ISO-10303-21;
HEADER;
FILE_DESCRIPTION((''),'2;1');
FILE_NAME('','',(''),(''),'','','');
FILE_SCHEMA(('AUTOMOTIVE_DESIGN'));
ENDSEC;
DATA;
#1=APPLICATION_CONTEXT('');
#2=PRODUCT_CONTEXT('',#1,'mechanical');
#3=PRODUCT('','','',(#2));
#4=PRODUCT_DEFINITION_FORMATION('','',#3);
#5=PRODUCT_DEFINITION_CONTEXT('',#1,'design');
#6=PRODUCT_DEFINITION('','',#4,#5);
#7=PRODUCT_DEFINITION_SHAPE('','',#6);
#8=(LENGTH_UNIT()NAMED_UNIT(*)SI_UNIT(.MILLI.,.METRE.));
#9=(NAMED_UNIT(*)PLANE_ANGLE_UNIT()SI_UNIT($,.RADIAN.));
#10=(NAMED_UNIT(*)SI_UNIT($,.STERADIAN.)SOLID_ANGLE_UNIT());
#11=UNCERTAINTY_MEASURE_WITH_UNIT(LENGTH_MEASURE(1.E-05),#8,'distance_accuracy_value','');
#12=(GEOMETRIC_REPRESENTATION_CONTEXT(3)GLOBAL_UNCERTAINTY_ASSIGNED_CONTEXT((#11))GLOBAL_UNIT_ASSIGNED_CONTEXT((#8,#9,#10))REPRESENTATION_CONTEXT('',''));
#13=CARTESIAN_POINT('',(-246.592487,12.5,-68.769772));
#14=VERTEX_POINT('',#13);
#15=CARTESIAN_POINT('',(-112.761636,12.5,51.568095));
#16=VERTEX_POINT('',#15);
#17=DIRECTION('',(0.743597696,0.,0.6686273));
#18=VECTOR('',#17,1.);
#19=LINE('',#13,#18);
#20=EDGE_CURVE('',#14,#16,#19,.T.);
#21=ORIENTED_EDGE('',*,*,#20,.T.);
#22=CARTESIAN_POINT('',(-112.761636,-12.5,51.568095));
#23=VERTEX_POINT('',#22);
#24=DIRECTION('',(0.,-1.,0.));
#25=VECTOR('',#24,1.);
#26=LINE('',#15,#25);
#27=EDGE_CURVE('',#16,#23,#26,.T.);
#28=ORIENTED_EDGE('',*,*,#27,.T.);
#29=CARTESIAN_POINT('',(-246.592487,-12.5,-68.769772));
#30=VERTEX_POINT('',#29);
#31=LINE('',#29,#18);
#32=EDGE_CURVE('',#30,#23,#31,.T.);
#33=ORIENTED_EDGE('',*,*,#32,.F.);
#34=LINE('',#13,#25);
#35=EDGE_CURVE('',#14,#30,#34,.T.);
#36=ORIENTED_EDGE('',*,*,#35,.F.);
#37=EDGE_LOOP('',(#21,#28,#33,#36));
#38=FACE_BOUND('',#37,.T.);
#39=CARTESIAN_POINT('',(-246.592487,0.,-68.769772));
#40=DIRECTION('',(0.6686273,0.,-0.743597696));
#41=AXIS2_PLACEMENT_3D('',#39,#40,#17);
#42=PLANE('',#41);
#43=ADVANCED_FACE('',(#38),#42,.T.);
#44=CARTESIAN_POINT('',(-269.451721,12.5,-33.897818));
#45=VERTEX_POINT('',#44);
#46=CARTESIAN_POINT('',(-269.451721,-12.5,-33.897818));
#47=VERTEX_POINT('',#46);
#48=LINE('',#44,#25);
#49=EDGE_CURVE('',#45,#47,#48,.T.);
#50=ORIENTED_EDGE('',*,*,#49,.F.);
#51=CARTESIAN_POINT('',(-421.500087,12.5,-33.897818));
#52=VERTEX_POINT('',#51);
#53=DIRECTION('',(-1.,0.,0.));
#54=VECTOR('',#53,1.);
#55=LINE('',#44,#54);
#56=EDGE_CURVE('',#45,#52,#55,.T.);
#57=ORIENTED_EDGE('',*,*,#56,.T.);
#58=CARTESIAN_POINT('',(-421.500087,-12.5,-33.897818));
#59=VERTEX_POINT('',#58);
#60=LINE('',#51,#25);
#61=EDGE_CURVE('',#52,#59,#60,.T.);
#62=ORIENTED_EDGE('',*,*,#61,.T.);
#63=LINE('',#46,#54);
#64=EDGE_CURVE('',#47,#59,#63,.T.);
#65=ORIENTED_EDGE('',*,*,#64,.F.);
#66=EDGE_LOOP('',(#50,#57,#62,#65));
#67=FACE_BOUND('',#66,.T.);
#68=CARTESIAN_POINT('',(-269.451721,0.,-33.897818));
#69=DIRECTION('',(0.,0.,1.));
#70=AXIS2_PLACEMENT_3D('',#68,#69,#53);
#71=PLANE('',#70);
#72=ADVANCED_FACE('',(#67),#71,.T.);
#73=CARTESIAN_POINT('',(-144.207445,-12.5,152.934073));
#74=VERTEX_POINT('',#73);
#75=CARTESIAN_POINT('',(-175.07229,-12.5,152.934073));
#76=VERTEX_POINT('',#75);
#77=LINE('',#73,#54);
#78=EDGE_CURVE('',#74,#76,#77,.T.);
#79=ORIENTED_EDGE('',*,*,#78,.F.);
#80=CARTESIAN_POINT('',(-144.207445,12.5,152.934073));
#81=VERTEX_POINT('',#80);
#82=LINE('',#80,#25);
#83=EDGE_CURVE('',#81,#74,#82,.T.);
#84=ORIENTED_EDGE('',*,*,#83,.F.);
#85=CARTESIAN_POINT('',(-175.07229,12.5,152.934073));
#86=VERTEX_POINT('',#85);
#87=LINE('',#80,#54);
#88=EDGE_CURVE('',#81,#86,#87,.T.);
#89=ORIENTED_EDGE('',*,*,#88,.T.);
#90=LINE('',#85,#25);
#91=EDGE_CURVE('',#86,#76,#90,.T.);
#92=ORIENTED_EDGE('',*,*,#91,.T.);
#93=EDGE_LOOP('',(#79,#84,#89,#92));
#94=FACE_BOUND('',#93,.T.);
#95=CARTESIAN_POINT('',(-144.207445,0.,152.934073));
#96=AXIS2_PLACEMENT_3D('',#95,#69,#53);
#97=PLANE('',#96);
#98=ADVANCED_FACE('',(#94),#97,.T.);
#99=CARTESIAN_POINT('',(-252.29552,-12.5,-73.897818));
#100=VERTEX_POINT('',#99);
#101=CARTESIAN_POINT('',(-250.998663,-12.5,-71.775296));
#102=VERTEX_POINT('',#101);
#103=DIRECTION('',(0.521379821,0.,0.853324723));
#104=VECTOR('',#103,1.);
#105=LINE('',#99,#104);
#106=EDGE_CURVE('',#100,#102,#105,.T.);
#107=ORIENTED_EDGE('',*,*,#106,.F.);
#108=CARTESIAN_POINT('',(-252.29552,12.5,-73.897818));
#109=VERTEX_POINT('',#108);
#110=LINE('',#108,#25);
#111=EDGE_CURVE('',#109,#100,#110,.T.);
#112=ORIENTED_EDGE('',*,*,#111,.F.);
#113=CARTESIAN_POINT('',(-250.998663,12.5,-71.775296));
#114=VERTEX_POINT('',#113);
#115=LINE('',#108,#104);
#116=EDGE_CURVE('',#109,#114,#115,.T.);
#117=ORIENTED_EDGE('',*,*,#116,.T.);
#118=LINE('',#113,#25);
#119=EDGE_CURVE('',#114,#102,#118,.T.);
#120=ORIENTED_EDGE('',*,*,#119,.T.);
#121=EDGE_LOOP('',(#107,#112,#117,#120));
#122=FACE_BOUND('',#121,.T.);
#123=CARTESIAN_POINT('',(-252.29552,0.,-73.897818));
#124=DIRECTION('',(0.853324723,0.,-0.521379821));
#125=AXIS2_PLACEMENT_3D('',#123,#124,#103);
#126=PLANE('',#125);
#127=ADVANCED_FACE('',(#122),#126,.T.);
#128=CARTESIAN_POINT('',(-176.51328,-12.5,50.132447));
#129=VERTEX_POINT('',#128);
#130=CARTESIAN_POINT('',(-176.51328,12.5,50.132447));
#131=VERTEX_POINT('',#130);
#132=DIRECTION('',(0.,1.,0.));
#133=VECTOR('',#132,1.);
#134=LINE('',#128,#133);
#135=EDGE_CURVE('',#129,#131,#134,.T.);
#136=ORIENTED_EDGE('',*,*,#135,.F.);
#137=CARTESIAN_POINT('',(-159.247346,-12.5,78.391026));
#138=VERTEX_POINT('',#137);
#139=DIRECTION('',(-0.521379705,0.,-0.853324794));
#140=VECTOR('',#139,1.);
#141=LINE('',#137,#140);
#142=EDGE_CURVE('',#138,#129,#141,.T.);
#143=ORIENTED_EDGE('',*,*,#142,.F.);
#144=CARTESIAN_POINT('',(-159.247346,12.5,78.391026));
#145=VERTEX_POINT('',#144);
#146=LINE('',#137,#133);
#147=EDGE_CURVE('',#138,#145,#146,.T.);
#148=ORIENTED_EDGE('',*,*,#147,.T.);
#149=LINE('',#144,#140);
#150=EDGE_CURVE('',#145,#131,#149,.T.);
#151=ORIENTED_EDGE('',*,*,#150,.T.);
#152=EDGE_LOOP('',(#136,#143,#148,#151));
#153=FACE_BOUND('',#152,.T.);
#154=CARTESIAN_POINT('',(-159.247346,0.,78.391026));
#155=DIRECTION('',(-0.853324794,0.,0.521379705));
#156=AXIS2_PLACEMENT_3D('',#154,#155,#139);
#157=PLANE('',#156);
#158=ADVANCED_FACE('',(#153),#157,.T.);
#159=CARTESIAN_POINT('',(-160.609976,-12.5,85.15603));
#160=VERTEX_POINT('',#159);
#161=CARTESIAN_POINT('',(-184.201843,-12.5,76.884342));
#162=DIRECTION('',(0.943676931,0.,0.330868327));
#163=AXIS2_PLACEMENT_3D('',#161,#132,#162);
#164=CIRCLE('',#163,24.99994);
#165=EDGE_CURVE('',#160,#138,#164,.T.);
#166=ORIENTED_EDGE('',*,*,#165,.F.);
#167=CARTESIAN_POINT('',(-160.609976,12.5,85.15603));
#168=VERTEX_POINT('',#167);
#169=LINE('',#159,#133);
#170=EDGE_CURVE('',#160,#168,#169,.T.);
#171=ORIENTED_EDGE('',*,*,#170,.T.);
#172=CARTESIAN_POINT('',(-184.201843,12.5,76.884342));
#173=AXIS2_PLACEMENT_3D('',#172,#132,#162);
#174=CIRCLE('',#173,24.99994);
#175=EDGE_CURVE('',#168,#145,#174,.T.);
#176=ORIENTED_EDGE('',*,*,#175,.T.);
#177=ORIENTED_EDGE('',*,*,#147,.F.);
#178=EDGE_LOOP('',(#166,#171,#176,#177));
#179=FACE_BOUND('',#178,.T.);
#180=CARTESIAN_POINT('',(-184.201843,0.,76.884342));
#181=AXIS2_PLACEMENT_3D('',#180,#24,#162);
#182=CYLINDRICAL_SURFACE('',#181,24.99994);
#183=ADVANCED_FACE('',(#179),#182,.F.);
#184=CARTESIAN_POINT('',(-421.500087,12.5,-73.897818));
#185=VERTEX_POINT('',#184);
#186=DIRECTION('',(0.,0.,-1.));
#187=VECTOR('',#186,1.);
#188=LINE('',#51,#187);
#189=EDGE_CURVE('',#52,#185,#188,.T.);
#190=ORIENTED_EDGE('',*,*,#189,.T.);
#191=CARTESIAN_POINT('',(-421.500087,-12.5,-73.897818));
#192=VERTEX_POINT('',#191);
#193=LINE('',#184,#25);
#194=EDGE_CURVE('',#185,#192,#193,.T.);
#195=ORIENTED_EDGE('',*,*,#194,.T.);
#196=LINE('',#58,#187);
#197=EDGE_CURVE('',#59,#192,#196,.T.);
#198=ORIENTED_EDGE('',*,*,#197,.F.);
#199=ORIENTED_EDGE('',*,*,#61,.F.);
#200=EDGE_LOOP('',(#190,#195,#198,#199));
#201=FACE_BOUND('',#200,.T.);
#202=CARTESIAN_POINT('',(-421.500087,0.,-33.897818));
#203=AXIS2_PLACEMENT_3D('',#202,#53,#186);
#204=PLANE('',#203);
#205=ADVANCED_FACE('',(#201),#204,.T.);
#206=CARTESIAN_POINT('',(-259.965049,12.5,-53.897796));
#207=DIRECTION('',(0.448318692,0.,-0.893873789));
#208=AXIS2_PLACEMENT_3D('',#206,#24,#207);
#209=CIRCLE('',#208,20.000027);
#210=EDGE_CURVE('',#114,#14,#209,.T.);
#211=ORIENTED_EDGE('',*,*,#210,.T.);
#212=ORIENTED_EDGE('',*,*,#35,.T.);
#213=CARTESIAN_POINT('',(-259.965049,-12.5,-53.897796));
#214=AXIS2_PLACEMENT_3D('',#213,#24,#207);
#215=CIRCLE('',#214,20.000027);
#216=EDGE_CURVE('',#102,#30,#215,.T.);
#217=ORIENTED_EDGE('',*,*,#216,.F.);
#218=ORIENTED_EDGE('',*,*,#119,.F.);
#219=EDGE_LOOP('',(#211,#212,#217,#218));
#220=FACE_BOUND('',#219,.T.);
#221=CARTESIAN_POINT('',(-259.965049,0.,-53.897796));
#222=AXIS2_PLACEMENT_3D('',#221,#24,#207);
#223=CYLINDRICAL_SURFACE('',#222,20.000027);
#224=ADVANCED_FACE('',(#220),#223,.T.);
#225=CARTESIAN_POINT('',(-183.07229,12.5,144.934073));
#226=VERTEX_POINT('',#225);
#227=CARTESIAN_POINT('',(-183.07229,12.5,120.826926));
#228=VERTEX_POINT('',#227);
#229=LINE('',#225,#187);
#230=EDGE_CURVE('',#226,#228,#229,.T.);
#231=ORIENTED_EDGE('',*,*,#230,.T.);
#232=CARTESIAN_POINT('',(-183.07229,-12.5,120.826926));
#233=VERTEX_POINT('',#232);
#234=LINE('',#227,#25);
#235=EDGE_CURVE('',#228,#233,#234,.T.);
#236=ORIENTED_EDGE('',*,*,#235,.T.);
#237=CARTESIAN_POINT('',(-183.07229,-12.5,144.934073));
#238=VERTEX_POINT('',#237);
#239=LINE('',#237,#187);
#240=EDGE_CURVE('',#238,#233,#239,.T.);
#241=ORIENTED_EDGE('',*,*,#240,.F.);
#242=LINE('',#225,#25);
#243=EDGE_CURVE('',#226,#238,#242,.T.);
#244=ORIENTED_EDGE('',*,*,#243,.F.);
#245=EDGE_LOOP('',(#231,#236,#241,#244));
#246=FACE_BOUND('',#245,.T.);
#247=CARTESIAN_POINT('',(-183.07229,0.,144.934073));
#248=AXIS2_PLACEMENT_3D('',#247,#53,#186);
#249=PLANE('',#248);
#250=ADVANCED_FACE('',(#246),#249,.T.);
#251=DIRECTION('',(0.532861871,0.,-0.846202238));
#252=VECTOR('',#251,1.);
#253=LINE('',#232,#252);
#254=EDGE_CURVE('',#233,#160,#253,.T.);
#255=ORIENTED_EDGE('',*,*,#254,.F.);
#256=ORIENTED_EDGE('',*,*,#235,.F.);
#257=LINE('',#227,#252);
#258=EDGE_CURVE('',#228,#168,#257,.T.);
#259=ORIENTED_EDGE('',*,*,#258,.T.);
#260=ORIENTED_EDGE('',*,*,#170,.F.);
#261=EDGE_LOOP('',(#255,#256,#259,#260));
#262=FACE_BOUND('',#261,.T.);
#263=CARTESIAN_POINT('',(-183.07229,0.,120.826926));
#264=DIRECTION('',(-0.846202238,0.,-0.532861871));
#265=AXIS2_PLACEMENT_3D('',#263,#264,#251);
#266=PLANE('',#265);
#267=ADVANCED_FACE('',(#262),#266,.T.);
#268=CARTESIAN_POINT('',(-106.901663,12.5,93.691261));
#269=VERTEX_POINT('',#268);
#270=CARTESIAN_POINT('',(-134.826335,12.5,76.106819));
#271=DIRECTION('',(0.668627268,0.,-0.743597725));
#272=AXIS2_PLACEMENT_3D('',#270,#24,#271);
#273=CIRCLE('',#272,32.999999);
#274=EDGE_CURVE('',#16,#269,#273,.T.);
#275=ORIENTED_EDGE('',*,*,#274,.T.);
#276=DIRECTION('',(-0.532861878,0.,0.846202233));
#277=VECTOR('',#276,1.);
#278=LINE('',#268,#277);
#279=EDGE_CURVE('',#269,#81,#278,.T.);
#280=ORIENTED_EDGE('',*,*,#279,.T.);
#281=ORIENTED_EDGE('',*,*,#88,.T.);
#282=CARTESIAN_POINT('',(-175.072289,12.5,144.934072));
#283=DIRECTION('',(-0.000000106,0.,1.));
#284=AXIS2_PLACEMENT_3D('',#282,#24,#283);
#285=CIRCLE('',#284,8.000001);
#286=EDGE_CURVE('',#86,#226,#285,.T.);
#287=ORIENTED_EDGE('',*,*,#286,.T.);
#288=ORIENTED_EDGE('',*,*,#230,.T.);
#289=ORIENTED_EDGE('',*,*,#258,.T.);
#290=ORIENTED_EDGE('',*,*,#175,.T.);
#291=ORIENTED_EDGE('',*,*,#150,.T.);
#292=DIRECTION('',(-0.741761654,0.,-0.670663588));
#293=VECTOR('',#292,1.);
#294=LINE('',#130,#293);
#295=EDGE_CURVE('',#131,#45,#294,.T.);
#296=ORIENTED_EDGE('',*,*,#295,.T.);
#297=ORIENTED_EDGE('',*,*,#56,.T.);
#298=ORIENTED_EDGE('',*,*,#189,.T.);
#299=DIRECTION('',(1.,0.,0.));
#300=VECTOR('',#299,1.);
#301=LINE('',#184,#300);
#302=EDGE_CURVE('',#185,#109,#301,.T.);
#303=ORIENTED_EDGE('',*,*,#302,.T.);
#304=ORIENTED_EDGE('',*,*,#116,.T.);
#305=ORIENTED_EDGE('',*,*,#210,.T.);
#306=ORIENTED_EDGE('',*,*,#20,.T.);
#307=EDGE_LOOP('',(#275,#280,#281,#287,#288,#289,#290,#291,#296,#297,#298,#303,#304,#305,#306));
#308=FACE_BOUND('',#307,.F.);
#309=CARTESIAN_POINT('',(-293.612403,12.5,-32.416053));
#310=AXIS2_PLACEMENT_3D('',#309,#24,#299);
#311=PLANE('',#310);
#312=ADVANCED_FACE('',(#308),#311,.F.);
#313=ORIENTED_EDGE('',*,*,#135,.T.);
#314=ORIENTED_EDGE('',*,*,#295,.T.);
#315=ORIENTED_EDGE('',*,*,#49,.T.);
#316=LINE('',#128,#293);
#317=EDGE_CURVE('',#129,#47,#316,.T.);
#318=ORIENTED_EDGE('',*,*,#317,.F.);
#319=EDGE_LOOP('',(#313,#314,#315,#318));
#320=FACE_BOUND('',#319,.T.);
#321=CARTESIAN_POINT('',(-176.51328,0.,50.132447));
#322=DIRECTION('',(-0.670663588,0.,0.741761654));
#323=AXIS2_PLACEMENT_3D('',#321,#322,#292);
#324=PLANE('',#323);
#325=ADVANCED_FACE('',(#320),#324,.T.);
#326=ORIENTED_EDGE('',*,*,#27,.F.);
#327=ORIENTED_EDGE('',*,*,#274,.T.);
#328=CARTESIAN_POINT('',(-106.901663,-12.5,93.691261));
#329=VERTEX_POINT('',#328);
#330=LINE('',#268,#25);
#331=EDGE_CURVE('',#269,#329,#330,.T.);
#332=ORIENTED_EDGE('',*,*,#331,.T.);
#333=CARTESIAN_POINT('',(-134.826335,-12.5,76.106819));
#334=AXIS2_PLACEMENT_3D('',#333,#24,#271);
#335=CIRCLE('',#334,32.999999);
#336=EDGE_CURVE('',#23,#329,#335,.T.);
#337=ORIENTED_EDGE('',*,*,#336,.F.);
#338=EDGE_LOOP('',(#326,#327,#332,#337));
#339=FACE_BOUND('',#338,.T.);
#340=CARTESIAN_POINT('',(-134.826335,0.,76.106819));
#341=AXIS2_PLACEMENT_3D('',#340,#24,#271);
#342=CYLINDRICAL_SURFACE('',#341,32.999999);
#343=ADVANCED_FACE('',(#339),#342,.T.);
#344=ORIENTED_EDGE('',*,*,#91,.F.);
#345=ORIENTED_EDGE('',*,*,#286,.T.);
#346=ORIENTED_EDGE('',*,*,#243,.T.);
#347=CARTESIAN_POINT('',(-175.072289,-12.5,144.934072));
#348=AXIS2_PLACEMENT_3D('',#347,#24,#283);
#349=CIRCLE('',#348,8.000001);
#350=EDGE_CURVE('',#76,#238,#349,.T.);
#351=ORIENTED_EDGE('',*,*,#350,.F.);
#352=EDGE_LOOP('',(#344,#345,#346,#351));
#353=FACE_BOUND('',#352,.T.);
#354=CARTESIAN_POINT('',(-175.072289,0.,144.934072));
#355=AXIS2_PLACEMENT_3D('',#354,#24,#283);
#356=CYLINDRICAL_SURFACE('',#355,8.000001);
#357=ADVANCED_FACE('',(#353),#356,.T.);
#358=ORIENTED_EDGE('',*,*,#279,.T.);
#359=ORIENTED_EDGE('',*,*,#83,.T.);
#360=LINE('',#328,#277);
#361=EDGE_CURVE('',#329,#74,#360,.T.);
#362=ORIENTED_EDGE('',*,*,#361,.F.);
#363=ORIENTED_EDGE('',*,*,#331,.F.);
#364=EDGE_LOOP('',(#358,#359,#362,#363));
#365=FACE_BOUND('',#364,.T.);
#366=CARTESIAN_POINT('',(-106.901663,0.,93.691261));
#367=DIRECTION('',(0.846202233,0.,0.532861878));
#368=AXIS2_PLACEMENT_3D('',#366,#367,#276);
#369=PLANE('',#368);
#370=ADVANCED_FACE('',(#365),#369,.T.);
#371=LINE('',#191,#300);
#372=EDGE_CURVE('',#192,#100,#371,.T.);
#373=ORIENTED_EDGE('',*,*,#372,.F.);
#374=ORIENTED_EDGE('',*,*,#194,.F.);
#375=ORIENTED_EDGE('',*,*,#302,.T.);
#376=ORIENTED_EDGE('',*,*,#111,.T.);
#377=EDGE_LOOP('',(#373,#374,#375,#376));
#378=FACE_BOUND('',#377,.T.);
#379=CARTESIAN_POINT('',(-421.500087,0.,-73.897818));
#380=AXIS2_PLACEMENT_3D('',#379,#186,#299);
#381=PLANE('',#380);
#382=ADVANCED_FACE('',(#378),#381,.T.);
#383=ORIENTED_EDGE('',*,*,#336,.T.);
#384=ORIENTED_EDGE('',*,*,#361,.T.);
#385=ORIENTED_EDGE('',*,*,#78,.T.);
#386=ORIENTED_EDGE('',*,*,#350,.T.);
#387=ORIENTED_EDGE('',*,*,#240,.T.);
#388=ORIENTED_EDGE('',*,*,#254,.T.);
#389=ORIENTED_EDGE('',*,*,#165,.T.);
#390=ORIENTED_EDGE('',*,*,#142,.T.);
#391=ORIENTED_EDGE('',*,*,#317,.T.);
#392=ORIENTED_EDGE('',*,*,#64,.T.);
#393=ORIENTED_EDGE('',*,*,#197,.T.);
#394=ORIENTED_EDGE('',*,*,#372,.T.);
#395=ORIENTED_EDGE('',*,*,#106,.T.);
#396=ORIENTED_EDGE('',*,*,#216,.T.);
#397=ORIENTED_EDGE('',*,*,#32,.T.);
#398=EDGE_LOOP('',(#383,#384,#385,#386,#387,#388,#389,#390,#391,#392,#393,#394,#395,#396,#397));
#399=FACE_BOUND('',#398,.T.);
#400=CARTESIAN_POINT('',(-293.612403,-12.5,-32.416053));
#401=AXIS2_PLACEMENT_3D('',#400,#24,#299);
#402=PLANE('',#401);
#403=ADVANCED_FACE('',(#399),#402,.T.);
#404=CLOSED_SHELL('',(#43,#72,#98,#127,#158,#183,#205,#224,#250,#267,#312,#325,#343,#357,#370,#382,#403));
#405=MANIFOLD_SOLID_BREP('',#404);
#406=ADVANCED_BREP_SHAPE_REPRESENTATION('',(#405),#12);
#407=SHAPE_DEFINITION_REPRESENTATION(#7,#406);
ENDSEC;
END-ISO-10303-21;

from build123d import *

# Parameters (mm, degrees)
F1_DEPTH = 12.5


with BuildPart() as f1:
    # F0 (on Front) → F1 (new body, symmetric)
    with BuildSketch(Plane.XZ):
        with BuildLine():
            Line((-176.51328, 50.132447), (-269.451721, -33.897818))
            Line((-269.451721, -33.897818), (-421.500087, -33.897818))
            Line((-421.500087, -33.897818), (-421.500087, -73.897818))
            Line((-421.500087, -73.897818), (-269.451721, -73.897818))
            Line((-269.451721, -73.897818), (-259.965033, -73.897818))
            ThreePointArc((-259.965033, -73.897818), (-255.357949, -73.359955), (-250.998663, -71.775296))
            Line((-250.998663, -71.775296), (-176.51328, 50.132447))
        make_face()
        with BuildLine():
            Line((-159.247346, 78.391026), (-176.51328, 50.132447))
            Line((-176.51328, 50.132447), (-167.435312, 58.340289))
            ThreePointArc((-167.435312, 58.340289), (-161.057324, 67.432955), (-159.247346, 78.391026))
        make_face()
        with BuildLine():
            Line((-167.435312, 58.340289), (-176.51328, 50.132447))
            Line((-176.51328, 50.132447), (-250.998663, -71.775296))
            ThreePointArc((-250.998663, -71.775296), (-248.694936, -70.420073), (-246.592487, -68.769772))
            Line((-246.592487, -68.769772), (-112.761636, 51.568095))
            ThreePointArc((-112.761636, 51.568095), (-102.1411, 71.559806), (-106.901663, 93.691261))
            Line((-106.901663, 93.691261), (-144.207445, 152.934073))
            Line((-144.207445, 152.934073), (-144.207445, 120.826926))
            Line((-144.207445, 120.826926), (-183.07229, 120.826926))
            Line((-183.07229, 120.826926), (-160.609976, 85.15603))
            ThreePointArc((-160.609976, 85.15603), (-159.694116, 81.820771), (-159.247346, 78.391026))
            ThreePointArc((-159.247346, 78.391026), (-161.057324, 67.432955), (-167.435312, 58.340289))
        make_face()
        with BuildLine():
            Line((-252.29552, -73.897818), (-250.998663, -71.775296))
            ThreePointArc((-250.998663, -71.775296), (-255.357949, -73.359955), (-259.965033, -73.897818))
            Line((-259.965033, -73.897818), (-252.29552, -73.897818))
        make_face()
        with BuildLine():
            Line((-183.07229, 144.934073), (-183.07229, 120.826926))
            Line((-183.07229, 120.826926), (-144.207445, 120.826926))
            Line((-144.207445, 120.826926), (-144.207445, 152.934073))
            Line((-144.207445, 152.934073), (-175.07229, 152.934073))
            ThreePointArc((-175.07229, 152.934073), (-180.729144, 150.590927), (-183.07229, 144.934073))
        make_face()
    extrude(amount=F1_DEPTH, both=True)


solid = f1.part
